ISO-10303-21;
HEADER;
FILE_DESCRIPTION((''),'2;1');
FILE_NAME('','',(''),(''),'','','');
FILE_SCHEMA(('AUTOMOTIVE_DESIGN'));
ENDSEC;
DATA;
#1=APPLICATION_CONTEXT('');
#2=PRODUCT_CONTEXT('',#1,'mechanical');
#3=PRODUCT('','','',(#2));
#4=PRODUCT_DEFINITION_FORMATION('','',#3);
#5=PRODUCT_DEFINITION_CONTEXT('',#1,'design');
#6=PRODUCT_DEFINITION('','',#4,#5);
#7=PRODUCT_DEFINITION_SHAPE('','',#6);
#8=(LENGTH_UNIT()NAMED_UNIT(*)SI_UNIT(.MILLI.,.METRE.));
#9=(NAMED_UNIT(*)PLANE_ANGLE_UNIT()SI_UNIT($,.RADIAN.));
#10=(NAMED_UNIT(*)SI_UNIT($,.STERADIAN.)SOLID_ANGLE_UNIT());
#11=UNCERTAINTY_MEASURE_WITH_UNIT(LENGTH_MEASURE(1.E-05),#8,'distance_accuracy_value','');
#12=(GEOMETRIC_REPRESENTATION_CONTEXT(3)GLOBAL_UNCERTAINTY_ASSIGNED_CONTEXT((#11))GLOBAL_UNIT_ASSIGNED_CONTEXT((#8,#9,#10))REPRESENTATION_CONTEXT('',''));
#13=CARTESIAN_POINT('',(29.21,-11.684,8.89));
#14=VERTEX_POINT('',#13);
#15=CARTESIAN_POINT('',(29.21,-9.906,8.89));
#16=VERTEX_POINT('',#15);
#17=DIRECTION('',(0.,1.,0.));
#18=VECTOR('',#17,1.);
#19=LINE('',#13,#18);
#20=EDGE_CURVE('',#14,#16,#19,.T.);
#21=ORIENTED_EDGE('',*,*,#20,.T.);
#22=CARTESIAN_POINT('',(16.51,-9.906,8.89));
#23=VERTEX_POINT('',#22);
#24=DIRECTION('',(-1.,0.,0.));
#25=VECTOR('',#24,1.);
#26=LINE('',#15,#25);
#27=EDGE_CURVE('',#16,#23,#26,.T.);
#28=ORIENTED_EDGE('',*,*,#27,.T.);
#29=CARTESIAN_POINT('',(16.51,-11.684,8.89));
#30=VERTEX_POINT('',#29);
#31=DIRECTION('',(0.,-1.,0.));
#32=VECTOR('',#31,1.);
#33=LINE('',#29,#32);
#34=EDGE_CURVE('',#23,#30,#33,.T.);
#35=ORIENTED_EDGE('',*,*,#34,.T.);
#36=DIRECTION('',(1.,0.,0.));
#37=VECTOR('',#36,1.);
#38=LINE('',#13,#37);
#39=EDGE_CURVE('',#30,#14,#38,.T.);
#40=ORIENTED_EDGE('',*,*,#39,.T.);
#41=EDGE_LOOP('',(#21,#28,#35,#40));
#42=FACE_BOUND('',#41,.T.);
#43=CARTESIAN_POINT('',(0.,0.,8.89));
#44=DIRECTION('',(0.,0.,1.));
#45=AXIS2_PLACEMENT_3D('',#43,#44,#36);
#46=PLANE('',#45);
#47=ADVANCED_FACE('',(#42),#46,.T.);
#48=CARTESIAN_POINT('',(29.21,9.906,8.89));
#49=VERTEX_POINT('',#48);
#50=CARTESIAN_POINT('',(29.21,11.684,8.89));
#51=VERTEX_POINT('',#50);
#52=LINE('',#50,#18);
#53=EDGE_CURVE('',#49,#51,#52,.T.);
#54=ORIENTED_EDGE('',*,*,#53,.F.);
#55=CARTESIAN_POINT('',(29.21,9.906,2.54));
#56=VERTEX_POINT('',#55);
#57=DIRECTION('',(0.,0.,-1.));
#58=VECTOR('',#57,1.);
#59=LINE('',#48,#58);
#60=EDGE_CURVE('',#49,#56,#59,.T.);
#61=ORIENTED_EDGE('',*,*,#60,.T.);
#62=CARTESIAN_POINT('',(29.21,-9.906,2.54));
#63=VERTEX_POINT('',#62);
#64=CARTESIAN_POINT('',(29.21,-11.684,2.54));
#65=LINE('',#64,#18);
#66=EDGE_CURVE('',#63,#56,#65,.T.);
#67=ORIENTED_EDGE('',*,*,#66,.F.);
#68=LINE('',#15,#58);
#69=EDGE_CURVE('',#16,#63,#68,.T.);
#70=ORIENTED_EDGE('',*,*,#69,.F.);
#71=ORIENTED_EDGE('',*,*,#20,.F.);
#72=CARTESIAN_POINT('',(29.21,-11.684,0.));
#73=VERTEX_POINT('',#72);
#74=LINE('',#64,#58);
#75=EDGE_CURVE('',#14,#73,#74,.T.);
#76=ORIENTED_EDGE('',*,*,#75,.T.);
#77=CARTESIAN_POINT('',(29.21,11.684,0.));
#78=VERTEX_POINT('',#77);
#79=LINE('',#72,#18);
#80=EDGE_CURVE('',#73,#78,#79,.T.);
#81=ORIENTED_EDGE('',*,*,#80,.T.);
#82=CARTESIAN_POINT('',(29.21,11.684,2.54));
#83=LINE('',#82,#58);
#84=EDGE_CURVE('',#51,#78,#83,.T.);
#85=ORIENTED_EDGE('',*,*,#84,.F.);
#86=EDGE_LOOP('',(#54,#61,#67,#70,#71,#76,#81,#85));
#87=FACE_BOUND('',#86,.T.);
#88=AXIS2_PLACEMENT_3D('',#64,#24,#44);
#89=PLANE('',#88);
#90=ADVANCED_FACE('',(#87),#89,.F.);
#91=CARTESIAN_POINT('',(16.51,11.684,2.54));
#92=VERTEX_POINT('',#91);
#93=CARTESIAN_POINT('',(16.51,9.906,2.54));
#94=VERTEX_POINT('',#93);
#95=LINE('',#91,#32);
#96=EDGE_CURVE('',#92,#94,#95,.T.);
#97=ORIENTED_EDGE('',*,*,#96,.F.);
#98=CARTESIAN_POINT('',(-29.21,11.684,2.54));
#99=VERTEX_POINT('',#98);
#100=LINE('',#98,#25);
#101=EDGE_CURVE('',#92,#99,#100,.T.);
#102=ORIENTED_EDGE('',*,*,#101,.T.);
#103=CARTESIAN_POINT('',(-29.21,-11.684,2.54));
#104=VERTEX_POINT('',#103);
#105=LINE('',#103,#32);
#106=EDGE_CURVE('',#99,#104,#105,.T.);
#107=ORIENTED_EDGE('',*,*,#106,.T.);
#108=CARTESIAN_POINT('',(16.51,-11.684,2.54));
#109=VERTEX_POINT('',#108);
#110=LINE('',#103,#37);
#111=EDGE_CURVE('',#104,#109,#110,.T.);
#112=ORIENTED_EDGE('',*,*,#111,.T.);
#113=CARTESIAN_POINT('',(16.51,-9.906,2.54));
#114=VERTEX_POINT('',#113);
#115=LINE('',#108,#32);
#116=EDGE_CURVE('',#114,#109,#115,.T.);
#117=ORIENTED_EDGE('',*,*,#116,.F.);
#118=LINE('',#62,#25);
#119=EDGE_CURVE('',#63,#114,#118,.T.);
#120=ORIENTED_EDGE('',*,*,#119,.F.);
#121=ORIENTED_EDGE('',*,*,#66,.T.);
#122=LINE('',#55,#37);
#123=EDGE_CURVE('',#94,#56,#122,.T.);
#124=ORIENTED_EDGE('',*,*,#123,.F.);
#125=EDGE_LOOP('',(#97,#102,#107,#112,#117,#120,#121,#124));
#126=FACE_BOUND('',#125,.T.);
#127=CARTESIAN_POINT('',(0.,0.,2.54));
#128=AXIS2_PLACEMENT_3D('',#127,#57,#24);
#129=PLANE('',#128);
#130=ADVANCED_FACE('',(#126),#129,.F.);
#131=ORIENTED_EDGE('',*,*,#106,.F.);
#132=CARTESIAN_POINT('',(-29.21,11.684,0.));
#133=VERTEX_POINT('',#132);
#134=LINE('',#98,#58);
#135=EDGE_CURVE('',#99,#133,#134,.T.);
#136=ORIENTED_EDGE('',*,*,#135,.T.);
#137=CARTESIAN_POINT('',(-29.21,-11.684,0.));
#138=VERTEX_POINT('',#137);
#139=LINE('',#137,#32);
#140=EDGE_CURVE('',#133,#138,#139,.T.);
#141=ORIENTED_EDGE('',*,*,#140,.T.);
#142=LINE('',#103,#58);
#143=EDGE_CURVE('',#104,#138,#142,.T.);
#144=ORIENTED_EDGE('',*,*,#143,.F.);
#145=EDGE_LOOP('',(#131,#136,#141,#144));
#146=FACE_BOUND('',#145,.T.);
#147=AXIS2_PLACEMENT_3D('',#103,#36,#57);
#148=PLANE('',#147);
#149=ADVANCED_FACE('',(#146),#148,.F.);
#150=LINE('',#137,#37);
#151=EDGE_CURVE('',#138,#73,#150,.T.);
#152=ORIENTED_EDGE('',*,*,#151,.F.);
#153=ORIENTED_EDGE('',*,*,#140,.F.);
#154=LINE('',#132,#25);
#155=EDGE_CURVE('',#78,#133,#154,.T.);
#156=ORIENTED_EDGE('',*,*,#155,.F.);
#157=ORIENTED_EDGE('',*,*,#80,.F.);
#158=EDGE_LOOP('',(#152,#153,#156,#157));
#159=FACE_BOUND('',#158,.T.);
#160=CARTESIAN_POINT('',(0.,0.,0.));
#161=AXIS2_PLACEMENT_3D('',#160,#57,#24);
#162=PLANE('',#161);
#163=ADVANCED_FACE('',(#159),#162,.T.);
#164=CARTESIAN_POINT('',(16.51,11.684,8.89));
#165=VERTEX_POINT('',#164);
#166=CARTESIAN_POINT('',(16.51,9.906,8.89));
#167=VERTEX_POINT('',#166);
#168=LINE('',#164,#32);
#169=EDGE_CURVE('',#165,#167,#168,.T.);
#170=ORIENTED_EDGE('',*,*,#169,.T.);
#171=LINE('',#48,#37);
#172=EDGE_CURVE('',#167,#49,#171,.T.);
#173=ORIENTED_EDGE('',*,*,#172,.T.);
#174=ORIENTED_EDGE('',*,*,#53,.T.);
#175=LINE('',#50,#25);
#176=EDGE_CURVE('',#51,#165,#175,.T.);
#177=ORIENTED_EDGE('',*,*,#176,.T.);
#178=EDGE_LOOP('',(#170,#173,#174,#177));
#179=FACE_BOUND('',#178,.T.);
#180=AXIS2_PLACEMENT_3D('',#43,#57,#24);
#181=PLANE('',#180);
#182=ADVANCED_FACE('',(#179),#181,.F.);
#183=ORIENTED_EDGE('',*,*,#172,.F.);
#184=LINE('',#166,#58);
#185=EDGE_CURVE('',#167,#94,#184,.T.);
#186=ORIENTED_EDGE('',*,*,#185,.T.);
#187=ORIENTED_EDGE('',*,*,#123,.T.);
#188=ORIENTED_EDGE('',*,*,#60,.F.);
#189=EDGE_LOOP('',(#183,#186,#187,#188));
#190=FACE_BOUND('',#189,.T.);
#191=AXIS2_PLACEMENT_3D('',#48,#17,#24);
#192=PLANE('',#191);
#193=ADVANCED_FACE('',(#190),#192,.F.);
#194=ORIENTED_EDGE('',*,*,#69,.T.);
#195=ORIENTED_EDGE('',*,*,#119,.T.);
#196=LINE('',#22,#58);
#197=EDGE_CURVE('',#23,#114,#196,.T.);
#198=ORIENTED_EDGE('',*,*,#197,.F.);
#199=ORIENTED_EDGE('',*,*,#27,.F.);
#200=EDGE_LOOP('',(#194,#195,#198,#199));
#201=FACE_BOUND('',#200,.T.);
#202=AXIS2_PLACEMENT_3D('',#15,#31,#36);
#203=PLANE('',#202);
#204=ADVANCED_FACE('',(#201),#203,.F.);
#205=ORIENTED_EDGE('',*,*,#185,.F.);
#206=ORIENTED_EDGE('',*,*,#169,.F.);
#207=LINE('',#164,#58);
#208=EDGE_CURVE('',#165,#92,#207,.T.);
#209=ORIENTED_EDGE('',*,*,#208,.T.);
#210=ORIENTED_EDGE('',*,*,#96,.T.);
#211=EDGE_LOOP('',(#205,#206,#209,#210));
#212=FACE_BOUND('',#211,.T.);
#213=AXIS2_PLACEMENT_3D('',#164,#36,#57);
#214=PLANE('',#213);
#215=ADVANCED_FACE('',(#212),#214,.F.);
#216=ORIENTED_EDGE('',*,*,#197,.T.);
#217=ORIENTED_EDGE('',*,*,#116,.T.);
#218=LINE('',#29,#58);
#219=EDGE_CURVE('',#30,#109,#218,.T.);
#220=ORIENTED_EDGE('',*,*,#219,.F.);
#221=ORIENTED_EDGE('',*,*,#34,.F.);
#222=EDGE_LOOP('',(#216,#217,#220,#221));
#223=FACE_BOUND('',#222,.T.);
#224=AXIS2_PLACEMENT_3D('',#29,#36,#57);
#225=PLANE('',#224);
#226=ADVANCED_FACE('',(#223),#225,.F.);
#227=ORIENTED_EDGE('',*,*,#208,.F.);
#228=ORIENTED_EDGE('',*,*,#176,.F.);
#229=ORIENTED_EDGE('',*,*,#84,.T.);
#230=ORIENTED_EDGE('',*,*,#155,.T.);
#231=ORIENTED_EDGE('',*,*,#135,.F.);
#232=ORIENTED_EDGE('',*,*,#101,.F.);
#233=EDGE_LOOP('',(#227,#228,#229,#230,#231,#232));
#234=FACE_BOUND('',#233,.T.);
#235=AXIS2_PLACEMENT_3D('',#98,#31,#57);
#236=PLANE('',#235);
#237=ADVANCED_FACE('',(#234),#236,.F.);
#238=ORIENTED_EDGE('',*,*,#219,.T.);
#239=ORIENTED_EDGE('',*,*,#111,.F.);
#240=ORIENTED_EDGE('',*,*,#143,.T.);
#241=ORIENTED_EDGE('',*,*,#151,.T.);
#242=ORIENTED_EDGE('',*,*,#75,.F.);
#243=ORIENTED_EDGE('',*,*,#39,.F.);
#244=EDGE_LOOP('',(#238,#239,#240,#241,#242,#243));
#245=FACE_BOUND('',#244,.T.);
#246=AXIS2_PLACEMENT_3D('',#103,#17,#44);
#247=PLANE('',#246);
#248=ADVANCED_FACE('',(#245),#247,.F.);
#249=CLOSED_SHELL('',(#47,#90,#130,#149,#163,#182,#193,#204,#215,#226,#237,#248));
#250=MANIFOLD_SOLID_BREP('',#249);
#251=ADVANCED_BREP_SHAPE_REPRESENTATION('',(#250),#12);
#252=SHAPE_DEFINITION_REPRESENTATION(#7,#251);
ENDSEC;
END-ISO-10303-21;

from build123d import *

# Parameters (mm, degrees)
SKETCH2_W           = 58.42
SKETCH2_H           = 23.368
BOSS_EXTRUDE1_DEPTH = 2.54
SKETCH3_W           = 12.7
SKETCH3_H           = 1.778
BOSS_EXTRUDE2_DEPTH = 6.35


with BuildPart() as part:
    # Sketch2 → Boss-Extrude1 (new body)
    with BuildSketch(Plane.XY):
        Rectangle(SKETCH2_W, SKETCH2_H)
    extrude(amount=BOSS_EXTRUDE1_DEPTH)

    # Sketch3 → Boss-Extrude2 (add)
    with BuildSketch(Plane.XY.offset(2.54)):
        with Locations((22.86, 10.795)):
            Rectangle(SKETCH3_W, SKETCH3_H)
        with Locations((22.86, -10.795)):
            Rectangle(SKETCH3_W, SKETCH3_H)
    extrude(amount=BOSS_EXTRUDE2_DEPTH)


solid = part.part
